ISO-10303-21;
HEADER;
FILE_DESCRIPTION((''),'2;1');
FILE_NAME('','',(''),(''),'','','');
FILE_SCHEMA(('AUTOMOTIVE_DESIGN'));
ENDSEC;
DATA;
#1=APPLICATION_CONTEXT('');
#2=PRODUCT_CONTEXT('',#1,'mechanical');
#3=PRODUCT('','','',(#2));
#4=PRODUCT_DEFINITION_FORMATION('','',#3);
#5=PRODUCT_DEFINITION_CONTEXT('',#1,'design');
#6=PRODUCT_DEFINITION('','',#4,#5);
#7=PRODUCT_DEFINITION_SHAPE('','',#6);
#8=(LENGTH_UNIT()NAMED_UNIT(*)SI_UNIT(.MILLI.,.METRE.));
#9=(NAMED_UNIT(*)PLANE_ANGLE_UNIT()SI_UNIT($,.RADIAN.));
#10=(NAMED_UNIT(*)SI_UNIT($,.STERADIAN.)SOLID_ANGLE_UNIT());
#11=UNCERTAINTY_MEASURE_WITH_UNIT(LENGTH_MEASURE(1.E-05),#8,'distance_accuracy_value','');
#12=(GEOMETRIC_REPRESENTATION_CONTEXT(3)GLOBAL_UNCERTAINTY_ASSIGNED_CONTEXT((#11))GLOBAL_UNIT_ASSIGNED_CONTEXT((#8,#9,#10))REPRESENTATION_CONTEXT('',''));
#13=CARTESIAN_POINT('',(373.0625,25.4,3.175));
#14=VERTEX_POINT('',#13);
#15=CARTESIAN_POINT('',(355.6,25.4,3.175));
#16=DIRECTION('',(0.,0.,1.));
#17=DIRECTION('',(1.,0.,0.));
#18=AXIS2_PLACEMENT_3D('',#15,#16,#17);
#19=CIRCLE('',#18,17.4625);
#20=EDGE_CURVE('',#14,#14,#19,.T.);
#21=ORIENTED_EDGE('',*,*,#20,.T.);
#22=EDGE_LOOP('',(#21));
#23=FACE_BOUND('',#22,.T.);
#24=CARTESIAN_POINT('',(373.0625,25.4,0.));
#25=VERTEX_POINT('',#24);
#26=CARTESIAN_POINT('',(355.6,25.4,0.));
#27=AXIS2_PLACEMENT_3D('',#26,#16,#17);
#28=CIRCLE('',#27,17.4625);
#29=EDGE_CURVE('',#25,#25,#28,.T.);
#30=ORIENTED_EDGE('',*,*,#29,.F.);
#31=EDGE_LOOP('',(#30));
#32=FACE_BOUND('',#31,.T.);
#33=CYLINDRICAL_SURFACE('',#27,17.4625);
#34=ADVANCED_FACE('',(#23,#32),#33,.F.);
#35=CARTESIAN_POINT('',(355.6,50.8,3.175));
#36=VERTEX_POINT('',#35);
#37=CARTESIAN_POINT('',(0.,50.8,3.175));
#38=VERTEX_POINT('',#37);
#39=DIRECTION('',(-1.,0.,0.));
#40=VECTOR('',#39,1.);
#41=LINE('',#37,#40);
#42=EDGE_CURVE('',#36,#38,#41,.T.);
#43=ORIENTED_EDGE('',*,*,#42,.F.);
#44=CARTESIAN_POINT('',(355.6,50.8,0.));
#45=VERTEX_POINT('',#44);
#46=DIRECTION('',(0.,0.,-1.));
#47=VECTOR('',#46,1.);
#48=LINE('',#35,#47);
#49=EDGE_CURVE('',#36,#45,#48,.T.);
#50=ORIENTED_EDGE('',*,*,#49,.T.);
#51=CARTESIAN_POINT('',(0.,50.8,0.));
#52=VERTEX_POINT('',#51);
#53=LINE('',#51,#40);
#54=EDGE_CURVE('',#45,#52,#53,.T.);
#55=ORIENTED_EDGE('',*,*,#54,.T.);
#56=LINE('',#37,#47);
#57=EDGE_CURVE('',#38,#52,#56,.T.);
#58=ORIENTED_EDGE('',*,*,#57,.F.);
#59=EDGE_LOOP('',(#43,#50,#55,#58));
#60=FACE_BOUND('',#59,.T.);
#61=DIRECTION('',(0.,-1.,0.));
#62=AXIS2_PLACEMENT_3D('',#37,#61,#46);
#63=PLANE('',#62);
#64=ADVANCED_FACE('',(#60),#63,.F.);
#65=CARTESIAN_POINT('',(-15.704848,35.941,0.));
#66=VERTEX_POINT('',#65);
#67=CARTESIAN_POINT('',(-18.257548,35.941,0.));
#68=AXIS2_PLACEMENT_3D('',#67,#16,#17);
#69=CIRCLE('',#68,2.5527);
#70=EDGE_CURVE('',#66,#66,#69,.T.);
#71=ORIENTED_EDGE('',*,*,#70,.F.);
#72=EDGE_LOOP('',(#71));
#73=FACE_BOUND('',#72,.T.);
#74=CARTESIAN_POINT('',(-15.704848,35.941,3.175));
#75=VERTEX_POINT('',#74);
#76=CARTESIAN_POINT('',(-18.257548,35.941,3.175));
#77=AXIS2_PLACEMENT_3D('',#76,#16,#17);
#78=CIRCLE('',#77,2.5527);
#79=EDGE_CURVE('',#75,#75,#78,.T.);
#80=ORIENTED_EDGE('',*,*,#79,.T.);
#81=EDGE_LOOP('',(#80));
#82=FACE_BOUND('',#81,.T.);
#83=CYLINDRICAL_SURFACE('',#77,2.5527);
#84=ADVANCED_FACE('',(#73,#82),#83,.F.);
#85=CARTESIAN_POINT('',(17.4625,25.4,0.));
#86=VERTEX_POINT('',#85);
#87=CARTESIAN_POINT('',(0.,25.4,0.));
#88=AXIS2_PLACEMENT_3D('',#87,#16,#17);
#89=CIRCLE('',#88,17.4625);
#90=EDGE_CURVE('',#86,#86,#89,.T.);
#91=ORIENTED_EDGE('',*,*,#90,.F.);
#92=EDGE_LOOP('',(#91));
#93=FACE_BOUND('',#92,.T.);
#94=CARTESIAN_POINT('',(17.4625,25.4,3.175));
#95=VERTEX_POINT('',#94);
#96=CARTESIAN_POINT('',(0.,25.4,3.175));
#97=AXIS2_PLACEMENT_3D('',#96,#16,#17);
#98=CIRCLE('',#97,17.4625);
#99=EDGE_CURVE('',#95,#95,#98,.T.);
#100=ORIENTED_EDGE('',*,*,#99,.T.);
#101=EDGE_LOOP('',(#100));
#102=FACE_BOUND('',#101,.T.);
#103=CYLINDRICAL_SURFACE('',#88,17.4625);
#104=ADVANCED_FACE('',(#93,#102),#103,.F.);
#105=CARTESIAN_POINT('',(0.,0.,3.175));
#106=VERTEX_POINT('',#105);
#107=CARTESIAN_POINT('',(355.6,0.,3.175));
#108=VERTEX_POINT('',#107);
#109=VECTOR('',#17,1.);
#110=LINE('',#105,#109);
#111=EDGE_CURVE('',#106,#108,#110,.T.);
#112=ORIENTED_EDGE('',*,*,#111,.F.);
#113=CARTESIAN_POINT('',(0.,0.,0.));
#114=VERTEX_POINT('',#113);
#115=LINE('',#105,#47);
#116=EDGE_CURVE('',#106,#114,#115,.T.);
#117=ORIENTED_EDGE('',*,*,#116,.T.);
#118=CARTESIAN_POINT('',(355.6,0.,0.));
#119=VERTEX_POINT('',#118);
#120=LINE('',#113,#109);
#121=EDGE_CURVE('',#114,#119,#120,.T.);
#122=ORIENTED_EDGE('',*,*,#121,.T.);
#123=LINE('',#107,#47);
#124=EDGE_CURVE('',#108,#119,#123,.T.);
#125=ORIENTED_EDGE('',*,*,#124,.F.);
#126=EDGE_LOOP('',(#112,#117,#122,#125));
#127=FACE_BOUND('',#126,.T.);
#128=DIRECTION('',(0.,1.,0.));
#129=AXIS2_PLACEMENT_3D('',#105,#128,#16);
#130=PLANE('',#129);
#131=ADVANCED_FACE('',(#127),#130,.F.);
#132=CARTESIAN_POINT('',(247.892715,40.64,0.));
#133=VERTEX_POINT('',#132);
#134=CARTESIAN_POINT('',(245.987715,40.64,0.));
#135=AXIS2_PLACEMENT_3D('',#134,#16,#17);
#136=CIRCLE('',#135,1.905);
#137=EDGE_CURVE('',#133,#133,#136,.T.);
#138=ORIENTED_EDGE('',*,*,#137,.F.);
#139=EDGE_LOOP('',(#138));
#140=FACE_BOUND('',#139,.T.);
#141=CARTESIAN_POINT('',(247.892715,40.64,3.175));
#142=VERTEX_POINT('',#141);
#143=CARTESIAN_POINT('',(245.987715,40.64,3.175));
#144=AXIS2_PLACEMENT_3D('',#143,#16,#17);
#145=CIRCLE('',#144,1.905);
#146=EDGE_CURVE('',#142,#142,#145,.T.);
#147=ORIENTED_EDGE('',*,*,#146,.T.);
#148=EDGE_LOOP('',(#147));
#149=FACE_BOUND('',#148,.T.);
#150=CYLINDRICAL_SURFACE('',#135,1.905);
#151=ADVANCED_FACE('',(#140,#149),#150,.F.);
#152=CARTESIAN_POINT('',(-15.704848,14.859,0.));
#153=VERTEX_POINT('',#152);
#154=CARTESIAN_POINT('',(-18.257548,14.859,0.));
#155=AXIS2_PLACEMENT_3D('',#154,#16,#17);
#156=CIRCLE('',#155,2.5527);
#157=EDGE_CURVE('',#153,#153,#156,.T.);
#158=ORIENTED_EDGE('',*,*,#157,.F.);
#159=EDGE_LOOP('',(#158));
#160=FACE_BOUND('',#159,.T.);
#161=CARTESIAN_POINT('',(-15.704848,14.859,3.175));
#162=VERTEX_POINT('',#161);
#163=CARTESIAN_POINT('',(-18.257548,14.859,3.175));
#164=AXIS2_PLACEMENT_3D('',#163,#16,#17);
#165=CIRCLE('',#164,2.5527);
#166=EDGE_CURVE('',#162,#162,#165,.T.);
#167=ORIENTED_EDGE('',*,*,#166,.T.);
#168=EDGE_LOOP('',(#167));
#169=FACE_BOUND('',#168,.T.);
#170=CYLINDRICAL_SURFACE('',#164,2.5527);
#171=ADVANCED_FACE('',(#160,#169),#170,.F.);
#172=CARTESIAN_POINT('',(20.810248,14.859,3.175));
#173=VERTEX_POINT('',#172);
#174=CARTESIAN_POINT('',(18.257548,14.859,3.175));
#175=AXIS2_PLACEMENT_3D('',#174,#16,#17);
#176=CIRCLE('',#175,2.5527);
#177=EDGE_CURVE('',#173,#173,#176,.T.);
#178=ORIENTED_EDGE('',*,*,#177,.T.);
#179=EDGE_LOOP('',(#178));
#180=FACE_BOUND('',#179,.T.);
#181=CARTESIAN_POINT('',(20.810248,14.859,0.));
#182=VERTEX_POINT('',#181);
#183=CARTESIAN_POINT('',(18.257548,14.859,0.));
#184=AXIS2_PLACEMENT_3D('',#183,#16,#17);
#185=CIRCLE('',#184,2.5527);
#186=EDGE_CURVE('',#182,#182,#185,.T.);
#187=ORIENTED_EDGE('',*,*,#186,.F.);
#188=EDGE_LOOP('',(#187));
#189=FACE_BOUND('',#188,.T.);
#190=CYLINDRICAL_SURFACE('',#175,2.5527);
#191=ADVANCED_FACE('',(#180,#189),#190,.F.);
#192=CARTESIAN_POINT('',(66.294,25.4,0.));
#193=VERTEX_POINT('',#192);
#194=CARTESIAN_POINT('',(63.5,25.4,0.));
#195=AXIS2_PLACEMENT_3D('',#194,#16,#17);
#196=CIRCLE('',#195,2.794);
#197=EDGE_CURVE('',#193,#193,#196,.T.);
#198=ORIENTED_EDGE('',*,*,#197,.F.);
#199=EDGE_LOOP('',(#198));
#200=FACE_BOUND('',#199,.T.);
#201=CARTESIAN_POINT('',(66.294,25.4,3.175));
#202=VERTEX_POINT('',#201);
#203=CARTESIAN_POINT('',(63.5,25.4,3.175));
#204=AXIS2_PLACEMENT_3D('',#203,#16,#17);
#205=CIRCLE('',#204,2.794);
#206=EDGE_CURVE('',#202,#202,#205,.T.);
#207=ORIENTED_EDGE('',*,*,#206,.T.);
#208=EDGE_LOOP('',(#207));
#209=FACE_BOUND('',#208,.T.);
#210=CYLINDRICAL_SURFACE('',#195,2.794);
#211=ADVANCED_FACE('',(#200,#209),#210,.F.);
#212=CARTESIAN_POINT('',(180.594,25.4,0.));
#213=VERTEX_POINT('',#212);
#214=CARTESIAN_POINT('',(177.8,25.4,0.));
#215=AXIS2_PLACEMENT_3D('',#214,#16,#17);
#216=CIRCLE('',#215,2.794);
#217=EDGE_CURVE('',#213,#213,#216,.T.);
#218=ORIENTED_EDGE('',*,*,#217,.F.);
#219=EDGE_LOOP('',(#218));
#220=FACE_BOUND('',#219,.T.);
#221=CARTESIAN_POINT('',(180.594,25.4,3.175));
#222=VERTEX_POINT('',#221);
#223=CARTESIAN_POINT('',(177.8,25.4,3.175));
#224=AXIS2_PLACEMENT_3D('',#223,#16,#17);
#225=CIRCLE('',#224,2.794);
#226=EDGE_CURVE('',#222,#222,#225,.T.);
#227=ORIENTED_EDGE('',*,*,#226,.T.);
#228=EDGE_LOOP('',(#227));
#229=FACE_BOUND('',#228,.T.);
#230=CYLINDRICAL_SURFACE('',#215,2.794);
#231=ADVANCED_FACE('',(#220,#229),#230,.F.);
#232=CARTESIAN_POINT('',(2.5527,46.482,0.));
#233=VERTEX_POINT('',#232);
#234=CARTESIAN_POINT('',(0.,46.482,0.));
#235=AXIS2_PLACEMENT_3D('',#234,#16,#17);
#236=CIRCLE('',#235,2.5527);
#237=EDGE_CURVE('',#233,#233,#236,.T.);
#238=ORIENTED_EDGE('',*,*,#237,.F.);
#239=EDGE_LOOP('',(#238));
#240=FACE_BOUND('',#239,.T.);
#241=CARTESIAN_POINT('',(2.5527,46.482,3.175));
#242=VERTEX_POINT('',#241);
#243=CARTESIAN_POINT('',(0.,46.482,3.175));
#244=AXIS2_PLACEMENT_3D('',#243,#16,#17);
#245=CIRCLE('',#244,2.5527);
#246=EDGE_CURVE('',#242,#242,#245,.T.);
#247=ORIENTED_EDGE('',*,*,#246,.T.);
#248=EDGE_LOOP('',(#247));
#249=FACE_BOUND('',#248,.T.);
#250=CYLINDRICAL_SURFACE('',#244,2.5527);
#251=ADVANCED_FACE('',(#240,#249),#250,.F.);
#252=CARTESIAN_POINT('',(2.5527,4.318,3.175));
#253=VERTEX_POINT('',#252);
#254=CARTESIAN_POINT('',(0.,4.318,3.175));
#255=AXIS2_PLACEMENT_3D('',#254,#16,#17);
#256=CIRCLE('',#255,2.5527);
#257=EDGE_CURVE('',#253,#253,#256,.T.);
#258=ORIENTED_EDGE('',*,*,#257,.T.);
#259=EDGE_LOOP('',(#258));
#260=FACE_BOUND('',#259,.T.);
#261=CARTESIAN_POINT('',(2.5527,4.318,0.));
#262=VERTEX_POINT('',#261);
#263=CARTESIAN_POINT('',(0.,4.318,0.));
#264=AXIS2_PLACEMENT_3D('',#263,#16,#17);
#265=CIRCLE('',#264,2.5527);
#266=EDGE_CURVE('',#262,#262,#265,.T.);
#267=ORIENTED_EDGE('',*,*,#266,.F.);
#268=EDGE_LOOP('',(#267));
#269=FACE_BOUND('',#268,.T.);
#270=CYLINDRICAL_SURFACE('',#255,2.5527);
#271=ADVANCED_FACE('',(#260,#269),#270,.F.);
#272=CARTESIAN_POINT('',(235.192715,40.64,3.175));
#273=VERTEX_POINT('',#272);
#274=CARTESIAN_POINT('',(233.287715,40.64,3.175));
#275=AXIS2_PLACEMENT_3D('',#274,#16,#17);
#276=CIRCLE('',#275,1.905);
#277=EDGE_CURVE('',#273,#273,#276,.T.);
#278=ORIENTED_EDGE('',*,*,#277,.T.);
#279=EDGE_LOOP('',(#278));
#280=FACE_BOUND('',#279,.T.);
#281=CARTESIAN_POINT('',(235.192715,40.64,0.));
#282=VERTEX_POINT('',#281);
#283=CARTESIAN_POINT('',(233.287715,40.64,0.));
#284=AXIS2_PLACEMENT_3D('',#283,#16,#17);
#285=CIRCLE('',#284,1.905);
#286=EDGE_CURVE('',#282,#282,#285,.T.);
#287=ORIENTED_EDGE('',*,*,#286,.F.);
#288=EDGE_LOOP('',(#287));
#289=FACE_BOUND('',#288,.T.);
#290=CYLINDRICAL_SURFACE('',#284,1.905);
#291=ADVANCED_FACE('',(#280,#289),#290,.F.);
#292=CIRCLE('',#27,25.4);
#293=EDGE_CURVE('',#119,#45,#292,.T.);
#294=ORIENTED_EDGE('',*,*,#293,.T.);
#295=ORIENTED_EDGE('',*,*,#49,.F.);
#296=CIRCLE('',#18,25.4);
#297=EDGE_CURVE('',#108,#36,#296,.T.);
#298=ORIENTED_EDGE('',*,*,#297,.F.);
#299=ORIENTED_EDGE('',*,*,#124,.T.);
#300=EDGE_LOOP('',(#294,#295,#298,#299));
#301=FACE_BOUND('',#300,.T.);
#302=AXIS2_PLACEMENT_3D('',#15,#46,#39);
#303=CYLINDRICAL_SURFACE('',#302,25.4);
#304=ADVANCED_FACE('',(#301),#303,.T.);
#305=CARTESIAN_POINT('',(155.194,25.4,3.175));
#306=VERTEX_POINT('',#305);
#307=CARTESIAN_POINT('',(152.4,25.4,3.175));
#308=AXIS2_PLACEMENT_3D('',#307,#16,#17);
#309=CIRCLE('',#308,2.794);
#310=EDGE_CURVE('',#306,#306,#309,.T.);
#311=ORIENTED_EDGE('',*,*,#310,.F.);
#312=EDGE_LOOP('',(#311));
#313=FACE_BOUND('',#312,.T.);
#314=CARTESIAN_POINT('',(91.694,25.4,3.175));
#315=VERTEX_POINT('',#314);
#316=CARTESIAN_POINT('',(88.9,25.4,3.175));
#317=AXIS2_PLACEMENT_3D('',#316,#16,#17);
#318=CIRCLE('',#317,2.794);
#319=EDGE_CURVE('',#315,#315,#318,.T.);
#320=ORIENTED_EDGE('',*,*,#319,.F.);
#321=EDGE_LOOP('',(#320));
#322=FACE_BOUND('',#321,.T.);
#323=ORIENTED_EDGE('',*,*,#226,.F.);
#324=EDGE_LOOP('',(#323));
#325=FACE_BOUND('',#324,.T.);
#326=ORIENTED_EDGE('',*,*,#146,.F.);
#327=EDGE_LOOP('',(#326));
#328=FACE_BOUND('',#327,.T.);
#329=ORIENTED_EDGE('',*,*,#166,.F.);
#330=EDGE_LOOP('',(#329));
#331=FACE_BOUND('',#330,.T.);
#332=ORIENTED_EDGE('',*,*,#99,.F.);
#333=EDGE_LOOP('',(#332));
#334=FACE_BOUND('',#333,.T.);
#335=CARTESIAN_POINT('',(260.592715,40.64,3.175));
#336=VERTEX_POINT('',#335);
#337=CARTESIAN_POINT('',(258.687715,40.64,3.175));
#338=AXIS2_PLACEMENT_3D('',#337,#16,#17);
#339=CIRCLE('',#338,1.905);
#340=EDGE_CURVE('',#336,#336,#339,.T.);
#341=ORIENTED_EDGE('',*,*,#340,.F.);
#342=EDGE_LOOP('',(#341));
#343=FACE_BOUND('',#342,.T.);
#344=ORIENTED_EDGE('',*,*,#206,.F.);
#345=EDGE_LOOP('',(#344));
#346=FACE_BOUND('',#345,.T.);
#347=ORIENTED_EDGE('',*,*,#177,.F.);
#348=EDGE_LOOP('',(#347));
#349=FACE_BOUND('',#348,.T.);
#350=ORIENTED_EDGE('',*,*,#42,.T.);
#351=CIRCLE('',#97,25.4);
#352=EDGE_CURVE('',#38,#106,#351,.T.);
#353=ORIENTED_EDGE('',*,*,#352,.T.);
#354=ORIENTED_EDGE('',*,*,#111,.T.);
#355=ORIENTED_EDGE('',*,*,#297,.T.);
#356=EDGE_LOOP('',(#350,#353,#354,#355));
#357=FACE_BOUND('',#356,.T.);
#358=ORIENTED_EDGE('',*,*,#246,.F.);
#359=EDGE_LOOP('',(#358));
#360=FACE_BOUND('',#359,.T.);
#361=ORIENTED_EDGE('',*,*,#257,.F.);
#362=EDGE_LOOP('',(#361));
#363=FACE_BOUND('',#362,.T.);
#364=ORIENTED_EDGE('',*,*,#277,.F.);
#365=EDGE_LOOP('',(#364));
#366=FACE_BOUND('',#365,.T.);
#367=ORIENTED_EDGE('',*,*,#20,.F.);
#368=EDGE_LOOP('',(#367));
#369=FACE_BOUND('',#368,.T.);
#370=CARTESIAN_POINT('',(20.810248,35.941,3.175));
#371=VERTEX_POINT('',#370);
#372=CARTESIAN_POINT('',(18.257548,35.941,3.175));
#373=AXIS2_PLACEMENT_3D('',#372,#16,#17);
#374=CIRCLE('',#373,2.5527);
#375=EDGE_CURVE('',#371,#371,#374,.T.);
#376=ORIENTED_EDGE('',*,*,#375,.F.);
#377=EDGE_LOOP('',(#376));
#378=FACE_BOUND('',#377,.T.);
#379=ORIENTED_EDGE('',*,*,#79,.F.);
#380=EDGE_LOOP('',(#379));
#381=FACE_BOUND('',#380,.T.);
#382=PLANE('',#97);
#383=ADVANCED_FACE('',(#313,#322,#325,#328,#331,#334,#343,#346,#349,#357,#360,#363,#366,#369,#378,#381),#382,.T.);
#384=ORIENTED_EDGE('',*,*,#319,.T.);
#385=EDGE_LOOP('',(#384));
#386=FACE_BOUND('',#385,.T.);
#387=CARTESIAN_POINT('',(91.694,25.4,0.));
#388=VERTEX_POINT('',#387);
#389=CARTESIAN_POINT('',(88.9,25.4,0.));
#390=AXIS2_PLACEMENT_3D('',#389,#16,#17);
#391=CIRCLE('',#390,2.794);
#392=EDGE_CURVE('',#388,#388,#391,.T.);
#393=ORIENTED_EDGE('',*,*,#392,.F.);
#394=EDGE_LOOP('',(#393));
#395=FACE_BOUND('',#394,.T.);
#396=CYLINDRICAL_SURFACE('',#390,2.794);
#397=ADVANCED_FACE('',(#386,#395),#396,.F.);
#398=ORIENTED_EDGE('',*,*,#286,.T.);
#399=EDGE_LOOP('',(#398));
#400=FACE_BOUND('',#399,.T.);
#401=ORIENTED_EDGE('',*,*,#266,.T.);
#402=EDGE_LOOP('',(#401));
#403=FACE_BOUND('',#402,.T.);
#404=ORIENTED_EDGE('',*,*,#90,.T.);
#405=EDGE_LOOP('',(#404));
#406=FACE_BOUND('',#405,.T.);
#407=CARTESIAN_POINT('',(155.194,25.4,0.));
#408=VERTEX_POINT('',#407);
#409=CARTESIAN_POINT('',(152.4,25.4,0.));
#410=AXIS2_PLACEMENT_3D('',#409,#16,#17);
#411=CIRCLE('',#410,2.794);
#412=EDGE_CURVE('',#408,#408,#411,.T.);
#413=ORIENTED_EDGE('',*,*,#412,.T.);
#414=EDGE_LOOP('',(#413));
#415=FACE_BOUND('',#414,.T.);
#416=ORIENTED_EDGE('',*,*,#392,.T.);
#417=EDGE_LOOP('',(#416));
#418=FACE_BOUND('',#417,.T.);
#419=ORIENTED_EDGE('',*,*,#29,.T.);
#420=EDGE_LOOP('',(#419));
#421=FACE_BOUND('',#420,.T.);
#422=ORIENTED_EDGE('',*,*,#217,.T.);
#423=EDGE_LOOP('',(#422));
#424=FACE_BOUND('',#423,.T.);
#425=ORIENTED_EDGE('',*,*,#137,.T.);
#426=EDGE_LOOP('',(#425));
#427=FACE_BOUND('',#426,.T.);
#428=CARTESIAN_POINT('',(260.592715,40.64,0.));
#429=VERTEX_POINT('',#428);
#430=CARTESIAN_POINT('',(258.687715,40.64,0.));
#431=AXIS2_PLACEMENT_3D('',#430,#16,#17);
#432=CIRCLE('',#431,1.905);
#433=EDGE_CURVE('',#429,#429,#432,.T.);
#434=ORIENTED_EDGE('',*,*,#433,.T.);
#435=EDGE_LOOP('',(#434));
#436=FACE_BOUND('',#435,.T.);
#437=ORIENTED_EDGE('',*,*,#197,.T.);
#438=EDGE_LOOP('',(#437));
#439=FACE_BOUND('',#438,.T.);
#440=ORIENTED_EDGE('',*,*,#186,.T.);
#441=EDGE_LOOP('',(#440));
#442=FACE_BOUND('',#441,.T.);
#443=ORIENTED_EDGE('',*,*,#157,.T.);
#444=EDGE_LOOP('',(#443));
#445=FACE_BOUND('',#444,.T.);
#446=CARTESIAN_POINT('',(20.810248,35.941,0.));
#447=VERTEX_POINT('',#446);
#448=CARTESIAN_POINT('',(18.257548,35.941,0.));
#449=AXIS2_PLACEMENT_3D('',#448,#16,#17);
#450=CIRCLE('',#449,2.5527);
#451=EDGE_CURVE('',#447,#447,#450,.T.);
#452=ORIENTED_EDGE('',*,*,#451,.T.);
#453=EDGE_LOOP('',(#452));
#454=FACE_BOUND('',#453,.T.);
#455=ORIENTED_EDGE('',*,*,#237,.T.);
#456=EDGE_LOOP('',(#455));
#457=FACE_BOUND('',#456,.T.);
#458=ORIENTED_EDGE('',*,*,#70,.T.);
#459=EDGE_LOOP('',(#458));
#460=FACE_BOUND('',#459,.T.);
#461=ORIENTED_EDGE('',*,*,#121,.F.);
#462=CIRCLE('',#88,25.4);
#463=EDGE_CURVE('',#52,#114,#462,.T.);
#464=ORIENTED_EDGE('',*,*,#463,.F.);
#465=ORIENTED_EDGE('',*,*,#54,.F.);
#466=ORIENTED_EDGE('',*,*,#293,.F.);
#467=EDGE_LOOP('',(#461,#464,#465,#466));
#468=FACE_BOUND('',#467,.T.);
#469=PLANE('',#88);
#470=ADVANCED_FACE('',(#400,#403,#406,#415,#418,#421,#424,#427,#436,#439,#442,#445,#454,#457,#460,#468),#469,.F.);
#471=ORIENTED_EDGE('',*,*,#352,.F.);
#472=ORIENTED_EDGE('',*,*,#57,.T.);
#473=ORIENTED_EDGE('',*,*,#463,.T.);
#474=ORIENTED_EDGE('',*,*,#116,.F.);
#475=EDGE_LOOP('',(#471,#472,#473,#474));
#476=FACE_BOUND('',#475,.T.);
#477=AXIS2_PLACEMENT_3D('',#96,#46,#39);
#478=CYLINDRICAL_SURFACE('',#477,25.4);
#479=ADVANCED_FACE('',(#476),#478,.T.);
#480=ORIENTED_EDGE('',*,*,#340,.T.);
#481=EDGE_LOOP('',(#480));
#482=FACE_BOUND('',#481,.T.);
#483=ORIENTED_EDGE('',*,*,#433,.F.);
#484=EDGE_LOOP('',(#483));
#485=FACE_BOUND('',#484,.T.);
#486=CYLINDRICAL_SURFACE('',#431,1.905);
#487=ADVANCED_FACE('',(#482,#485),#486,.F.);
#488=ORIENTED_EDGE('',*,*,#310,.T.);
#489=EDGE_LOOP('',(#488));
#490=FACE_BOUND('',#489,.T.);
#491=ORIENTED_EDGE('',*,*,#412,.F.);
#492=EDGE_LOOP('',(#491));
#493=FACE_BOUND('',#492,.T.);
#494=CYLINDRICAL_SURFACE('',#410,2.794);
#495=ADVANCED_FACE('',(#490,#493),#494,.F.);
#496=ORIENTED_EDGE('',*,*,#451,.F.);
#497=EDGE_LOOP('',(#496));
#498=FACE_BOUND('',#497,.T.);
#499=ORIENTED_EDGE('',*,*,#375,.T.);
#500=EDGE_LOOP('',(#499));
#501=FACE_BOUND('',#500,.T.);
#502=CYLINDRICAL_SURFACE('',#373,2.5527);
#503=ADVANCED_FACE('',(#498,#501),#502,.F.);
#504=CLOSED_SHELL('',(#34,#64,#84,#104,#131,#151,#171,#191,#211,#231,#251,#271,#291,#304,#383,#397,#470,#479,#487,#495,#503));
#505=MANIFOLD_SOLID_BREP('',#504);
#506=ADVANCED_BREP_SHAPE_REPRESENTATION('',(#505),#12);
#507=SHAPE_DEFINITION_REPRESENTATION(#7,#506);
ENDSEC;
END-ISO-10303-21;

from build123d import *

# Parameters (mm, degrees)
BOSS_EXTRUDE1_DEPTH    = 3.175
SKETCH2_R              = 17.4625
CUT_EXTRUDE1_DEPTH     = 385.384860036
F_10_CLEARANCE_HOLE1_D = 5.1054
SKETCH6_R              = 2.794
CUT_EXTRUDE2_DEPTH     = 385.384860036
SKETCH7_R              = 1.905
CUT_EXTRUDE3_DEPTH     = 385.384860036


with BuildPart() as part:
    # Sketch1 → Boss-Extrude1 (new body)
    with BuildSketch(Plane.XY):
        with BuildLine():
            Line((0, 0), (355.6, 0))
            ThreePointArc((355.6, 0), (381, 25.4), (355.6, 50.8))
            Line((355.6, 50.8), (0, 50.8))
            ThreePointArc((0, 50.8), (-25.4, 25.4), (0, 0))
        make_face()
    extrude(amount=BOSS_EXTRUDE1_DEPTH)

    # Sketch2 → Cut-Extrude1 (cut, through all)
    with BuildSketch(Plane.XY.offset(3.175)):
        with Locations((0, 25.4)):
            Circle(SKETCH2_R)
        with Locations((355.6, 25.4)):
            Circle(SKETCH2_R)
    extrude(amount=-CUT_EXTRUDE1_DEPTH, mode=Mode.SUBTRACT)

    # #10 Clearance Hole1 (through all)
    with Locations(Plane(origin=(18.257547563, 35.941, 3.175), x_dir=(1, 0, 0), z_dir=(0, 0, 1))):
        with Locations((0, 0), (0, -21.082), (-18.257547563, -31.623), (-36.515095126, -21.082), (-36.515095126, 0), (-18.257547563, 10.541)):
            Hole(F_10_CLEARANCE_HOLE1_D / 2)

    # Sketch6 → Cut-Extrude2 (cut, through all)
    with BuildSketch(Plane.XY.offset(3.175)):
        with Locations((63.5, 25.4)):
            Circle(SKETCH6_R)
        with Locations((88.9, 25.4)):
            Circle(SKETCH6_R)
        with Locations((152.4, 25.4)):
            Circle(SKETCH6_R)
        with Locations((177.8, 25.4)):
            Circle(SKETCH6_R)
    extrude(amount=-CUT_EXTRUDE2_DEPTH, mode=Mode.SUBTRACT)

    # Sketch7 → Cut-Extrude3 (cut, through all)
    with BuildSketch(Plane.XY.offset(3.175)):
        with Locations((258.687715098, 40.64)):
            Circle(SKETCH7_R)
        with Locations((245.987715098, 40.64)):
            Circle(SKETCH7_R)
        with Locations((233.287715098, 40.64)):
            Circle(SKETCH7_R)
    extrude(amount=-CUT_EXTRUDE3_DEPTH, mode=Mode.SUBTRACT)


solid = part.part
